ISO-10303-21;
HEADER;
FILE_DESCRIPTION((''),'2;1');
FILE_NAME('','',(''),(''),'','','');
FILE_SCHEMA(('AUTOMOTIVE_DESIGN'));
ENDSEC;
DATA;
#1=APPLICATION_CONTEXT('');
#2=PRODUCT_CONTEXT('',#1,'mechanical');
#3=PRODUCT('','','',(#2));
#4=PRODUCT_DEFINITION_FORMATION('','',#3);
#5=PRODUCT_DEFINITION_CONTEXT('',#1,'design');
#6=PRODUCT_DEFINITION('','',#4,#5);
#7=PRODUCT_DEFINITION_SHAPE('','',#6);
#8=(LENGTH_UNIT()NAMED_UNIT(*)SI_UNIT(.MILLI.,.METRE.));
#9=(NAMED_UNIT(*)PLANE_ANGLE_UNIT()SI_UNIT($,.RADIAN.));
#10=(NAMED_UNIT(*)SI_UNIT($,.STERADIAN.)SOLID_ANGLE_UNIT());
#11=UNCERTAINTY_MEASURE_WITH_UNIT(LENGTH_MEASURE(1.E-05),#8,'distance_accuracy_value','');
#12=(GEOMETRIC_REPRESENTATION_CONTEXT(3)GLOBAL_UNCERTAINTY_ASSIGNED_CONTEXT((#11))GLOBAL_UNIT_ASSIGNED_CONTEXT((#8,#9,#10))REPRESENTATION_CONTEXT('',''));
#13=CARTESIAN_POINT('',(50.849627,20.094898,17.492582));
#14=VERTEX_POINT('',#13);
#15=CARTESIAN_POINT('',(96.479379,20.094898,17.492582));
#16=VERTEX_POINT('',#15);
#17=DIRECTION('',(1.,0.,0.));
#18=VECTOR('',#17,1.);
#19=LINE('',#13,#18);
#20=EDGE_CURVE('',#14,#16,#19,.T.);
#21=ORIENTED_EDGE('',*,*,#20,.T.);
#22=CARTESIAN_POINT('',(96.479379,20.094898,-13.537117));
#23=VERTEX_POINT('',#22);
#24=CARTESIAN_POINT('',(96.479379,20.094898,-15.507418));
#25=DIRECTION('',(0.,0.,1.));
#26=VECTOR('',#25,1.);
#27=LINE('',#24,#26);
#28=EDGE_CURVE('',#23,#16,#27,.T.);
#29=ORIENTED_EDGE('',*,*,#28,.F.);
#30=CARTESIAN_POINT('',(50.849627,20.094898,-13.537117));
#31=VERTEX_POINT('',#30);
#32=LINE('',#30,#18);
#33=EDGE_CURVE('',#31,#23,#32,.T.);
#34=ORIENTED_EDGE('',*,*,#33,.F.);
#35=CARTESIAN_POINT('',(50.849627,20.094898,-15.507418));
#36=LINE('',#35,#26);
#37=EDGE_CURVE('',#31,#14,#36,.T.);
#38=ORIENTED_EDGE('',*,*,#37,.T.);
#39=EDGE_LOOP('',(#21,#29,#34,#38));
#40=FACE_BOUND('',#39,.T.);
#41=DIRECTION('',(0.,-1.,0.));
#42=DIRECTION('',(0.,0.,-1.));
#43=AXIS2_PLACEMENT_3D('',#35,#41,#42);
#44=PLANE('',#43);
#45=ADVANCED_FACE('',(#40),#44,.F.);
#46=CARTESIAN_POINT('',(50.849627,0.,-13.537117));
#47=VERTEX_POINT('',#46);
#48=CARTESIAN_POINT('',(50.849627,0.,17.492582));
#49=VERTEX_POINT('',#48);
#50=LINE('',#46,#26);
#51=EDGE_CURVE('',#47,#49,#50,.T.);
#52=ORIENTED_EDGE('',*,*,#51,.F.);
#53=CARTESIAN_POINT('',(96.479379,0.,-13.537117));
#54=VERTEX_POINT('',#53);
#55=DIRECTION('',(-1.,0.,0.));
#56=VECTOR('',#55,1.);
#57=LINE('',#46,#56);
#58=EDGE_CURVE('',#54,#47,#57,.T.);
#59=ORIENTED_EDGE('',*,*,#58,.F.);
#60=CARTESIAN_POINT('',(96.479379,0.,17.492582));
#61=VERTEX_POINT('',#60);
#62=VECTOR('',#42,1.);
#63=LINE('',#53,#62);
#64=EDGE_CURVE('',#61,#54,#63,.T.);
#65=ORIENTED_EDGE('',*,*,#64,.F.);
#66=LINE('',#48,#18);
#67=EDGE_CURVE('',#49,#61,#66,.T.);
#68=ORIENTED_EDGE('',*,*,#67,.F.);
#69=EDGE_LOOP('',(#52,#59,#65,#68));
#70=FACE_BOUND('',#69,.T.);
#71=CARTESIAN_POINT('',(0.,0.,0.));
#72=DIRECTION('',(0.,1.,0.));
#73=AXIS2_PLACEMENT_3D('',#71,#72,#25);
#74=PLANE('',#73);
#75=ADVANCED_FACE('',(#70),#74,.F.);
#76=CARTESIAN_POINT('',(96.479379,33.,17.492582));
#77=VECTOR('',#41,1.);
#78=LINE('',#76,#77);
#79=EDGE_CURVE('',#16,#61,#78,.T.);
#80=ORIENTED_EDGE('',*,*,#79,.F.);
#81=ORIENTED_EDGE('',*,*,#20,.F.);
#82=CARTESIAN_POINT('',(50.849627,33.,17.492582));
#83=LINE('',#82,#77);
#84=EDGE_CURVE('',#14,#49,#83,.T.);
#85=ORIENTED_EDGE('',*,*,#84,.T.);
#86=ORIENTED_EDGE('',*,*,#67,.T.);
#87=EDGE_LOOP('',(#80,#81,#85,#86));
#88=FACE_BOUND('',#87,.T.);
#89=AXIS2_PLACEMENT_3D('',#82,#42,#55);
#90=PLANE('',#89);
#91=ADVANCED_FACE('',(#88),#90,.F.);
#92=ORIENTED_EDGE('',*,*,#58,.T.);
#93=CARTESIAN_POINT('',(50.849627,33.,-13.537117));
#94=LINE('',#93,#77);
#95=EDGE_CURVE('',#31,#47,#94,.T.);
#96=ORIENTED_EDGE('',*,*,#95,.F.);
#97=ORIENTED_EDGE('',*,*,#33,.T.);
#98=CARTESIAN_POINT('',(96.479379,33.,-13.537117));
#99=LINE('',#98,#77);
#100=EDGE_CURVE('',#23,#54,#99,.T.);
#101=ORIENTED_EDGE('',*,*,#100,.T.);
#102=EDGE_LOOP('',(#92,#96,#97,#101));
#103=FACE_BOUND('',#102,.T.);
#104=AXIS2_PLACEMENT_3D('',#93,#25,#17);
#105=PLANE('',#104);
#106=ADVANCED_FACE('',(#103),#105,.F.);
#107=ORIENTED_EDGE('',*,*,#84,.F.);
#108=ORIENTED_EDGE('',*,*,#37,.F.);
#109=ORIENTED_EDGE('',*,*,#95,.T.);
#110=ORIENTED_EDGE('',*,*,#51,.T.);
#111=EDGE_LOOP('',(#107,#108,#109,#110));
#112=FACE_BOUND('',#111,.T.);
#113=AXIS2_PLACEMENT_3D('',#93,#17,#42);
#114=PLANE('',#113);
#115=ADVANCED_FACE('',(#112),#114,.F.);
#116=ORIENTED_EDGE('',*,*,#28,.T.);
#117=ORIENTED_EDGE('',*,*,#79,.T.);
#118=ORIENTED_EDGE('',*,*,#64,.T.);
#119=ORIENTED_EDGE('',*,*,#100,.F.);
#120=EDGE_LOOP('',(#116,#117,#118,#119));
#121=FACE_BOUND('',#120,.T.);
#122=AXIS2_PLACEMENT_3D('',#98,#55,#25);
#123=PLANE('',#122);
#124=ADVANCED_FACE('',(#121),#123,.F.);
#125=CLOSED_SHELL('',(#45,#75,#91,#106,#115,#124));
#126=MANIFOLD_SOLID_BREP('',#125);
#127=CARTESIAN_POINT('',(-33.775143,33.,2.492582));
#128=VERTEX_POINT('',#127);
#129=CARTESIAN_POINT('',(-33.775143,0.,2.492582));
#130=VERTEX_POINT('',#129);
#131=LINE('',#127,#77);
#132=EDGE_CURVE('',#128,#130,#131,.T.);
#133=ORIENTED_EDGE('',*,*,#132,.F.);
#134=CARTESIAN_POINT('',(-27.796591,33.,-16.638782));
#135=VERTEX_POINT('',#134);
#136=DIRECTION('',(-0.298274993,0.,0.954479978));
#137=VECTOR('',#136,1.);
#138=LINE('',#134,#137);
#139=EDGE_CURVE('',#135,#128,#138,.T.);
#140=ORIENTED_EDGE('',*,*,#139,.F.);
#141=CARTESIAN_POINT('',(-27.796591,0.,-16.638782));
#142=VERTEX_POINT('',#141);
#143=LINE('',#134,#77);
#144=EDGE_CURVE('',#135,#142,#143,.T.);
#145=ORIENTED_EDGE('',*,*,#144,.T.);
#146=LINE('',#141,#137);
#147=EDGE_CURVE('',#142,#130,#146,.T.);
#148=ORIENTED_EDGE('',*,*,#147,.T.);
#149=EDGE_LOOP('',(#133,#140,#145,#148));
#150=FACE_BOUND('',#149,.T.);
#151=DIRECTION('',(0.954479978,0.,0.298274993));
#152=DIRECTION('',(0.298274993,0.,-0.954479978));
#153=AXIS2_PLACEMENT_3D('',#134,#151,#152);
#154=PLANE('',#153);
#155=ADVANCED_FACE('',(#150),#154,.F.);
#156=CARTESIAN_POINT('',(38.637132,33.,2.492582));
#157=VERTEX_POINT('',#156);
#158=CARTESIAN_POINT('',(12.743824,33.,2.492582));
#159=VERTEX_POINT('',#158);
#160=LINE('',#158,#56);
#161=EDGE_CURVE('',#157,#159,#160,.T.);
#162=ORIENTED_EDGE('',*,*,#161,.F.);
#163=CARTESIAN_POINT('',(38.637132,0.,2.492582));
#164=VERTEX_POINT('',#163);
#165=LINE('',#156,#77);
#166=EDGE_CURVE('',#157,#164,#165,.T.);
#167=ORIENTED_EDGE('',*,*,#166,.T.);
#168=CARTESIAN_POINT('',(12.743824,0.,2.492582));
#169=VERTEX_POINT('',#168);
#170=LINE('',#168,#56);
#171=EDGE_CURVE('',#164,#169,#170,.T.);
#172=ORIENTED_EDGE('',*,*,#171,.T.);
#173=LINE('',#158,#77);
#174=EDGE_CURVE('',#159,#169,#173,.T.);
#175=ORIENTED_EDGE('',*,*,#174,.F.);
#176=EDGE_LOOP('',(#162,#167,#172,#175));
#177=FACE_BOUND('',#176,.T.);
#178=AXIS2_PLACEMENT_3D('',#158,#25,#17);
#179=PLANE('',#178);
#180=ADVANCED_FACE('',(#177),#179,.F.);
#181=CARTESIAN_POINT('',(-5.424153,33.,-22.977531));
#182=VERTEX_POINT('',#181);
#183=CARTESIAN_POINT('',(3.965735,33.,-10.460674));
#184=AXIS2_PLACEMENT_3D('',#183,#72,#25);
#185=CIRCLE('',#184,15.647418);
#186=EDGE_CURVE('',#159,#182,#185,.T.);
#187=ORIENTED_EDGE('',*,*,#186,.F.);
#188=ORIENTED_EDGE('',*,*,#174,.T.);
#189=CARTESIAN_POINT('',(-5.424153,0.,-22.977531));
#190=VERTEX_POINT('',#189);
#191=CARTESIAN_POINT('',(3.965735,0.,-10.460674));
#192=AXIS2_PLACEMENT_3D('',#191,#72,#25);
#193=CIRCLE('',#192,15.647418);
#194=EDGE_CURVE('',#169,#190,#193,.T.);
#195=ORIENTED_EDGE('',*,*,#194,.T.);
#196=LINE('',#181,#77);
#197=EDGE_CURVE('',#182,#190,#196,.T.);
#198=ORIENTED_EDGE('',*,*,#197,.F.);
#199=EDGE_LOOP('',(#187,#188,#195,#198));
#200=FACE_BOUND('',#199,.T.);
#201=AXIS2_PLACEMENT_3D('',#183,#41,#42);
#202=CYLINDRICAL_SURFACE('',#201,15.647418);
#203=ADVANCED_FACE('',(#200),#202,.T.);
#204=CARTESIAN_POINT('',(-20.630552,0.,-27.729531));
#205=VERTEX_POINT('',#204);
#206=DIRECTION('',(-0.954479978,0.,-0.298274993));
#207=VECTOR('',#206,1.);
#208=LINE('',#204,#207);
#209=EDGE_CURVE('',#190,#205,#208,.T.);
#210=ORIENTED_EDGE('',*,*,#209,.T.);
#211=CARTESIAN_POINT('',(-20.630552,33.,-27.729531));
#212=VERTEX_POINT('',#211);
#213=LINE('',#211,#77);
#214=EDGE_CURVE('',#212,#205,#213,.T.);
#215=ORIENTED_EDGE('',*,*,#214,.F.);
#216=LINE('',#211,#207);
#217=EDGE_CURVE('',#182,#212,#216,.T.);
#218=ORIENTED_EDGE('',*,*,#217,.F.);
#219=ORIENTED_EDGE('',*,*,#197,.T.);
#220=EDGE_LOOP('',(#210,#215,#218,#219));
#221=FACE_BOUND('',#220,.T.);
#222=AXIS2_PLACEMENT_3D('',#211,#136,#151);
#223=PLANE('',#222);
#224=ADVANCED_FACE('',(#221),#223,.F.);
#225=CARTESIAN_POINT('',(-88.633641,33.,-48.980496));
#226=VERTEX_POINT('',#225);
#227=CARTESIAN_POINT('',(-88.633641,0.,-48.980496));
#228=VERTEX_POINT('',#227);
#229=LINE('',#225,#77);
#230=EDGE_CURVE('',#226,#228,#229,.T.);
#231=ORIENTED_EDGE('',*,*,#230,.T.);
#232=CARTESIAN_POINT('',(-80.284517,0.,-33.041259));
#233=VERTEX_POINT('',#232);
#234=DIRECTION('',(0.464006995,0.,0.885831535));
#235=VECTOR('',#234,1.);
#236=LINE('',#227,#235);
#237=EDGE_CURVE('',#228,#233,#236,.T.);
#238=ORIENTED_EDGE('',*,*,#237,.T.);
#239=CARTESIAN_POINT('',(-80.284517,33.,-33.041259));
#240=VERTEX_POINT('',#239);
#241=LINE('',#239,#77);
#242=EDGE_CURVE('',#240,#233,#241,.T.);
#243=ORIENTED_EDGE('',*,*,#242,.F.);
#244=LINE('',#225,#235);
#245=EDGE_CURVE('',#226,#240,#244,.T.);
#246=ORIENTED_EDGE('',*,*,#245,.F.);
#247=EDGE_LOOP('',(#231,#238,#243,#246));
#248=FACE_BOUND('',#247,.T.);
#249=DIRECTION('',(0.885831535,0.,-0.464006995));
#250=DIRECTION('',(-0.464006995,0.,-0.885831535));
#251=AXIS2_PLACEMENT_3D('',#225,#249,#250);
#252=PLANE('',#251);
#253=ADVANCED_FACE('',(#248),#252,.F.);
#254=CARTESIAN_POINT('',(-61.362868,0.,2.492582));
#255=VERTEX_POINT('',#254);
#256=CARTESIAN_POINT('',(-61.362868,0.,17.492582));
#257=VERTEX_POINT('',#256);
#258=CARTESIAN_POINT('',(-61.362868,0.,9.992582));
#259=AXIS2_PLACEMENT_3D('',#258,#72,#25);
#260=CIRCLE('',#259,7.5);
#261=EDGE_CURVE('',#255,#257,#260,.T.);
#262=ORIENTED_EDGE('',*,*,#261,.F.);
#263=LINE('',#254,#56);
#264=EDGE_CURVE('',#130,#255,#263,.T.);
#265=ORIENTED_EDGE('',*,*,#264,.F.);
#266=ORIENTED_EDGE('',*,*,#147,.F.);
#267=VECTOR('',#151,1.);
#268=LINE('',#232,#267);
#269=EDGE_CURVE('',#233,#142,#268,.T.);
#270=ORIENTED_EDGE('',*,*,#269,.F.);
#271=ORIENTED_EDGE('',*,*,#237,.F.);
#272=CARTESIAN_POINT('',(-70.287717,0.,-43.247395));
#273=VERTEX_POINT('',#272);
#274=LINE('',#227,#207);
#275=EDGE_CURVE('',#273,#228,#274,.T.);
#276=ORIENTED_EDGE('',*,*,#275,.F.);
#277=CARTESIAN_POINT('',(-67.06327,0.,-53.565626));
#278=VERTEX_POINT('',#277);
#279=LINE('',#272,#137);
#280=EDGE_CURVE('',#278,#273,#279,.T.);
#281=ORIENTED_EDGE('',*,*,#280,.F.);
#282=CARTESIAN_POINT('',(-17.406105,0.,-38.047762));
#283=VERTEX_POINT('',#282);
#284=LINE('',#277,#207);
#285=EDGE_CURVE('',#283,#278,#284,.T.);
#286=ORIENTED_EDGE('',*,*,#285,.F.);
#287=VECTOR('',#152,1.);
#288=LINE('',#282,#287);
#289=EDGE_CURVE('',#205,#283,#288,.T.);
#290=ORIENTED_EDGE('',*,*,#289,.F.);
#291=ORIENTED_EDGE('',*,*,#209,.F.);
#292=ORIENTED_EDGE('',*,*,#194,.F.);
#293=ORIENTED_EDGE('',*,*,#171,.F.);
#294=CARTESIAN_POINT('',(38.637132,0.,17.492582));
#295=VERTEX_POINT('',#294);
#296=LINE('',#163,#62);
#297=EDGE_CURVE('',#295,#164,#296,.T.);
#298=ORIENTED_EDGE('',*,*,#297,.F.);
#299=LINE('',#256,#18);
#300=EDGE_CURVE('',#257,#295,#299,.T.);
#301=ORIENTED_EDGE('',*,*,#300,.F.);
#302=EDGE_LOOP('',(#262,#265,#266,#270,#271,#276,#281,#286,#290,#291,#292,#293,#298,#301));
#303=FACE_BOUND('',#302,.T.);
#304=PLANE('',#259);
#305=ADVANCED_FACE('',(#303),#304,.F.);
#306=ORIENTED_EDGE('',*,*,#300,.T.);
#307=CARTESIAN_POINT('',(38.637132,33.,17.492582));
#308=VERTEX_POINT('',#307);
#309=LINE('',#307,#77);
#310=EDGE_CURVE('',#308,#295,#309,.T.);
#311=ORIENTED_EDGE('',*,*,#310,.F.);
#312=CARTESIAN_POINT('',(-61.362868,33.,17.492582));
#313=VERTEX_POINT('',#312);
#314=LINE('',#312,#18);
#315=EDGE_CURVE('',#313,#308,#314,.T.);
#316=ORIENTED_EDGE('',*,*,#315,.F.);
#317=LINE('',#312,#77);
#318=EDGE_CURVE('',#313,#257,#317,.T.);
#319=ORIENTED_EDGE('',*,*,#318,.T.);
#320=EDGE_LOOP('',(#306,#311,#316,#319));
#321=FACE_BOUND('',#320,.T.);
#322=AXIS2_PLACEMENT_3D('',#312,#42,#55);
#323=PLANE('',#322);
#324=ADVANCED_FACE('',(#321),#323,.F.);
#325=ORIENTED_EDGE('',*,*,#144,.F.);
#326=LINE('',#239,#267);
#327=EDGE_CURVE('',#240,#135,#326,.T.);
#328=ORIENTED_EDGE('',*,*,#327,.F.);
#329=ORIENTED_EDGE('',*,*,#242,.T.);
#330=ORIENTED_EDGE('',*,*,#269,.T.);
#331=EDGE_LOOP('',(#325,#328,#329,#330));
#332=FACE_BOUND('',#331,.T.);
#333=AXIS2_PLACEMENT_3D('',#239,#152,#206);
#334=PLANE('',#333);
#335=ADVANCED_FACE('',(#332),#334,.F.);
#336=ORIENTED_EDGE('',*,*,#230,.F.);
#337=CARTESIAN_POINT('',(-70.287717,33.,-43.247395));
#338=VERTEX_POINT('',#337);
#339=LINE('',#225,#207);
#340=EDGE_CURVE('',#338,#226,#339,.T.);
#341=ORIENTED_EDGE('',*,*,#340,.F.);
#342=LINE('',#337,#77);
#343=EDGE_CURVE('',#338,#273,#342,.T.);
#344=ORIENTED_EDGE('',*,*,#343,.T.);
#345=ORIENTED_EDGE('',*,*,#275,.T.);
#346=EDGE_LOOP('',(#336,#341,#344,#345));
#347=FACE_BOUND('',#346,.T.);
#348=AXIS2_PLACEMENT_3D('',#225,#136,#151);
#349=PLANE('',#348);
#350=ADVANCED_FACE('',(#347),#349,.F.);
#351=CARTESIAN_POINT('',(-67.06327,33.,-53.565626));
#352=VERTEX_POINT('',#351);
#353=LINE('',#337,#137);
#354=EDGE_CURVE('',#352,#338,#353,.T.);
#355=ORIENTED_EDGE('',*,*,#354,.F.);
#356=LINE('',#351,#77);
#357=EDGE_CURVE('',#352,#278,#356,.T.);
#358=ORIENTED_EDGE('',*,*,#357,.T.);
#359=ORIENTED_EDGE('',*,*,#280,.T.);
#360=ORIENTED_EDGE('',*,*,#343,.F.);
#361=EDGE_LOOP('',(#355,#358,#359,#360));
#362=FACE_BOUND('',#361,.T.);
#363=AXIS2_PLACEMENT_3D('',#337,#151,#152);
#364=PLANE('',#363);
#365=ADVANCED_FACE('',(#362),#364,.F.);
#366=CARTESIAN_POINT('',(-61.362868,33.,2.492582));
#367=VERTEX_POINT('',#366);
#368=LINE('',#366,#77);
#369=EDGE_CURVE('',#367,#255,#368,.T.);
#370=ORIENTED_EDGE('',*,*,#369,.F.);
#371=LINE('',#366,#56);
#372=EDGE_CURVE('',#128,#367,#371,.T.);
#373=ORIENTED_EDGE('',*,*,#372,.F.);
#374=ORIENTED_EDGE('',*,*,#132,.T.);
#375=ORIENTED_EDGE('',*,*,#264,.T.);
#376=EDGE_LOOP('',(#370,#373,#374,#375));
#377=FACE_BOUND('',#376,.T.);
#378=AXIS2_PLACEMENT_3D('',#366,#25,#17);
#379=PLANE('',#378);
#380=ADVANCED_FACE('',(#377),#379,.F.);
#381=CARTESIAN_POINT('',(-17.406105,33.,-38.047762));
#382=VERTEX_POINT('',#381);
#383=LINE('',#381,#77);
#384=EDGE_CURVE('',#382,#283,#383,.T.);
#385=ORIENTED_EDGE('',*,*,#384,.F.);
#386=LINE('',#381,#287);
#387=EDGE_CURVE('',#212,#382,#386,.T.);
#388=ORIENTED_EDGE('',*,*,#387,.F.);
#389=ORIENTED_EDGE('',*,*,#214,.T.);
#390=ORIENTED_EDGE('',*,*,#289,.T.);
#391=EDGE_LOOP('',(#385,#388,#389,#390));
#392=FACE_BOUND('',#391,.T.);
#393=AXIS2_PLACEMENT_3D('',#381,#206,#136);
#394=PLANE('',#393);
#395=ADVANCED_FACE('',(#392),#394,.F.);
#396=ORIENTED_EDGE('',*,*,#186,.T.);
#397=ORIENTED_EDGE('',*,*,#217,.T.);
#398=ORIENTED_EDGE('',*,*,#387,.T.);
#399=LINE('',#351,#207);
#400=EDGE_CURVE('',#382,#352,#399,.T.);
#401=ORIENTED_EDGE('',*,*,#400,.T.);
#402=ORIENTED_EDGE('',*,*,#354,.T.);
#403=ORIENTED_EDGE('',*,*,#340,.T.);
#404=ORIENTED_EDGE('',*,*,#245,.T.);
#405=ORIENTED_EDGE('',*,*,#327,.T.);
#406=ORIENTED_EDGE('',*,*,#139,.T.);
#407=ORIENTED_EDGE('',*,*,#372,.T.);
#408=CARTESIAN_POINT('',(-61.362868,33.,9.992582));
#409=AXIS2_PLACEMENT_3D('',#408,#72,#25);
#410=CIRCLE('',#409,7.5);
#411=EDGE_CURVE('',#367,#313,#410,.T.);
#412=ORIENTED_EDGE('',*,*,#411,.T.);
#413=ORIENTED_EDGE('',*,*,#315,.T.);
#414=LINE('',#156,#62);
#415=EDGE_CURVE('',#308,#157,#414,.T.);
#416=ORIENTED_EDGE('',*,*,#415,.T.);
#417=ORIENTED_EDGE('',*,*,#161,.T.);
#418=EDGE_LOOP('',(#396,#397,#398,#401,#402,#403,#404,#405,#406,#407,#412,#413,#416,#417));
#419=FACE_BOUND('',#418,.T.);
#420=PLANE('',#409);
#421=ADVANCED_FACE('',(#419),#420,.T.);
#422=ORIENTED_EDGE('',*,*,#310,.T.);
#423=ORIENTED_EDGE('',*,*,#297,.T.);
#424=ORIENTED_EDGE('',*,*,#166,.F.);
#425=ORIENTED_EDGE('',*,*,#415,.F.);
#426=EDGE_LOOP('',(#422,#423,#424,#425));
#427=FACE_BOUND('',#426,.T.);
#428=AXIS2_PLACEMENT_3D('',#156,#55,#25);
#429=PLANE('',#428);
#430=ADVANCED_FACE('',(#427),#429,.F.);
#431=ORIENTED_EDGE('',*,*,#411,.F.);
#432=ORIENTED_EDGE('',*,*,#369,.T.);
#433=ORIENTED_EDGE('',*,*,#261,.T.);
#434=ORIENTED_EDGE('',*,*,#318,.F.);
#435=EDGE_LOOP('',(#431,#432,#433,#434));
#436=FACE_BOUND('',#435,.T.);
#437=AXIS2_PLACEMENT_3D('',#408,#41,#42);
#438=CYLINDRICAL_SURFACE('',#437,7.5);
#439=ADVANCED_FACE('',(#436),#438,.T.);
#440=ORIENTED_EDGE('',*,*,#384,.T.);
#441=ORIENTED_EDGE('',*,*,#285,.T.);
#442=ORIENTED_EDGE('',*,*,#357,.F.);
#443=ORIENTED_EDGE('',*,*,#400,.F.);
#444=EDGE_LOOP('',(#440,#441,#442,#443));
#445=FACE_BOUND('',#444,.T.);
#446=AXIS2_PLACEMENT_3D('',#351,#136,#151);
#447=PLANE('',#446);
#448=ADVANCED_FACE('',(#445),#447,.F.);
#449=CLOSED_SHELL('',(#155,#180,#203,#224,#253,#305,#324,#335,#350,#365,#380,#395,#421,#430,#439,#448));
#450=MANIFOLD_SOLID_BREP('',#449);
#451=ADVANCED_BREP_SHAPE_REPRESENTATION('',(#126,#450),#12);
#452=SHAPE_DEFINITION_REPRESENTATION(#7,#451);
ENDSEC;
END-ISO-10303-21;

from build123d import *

# Parameters (mm, degrees)
EXTRUDE_1_DEPTH     = 33
SKETCH_1_W          = 45.629751387
SKETCH_1_H          = 31.029699077
EXTRUDE_1_2_DEPTH   = 33
SKETCH_4_W          = 45.629751387
SKETCH_4_H          = 12.90510153
CUT_EXTRUDE_1_DEPTH = 33


with BuildPart() as part:
    # 草图1 → 凸台-拉伸1 (new body)
    with BuildSketch(Plane(origin=(0, 0, 0), x_dir=(1, 0, 0), z_dir=(0, 1, 0))):
        with BuildLine():
            Line((-88.633640643, 48.980495872), (-80.284516642, 33.041259142))
            Line((-80.284516642, 33.041259142), (-27.796591183, 16.638782436))
            Line((-27.796591183, 16.638782436), (-33.775142622, -2.492582169))
            Line((-33.775142622, -2.492582169), (-61.362867608, -2.492582169))
            ThreePointArc((-61.362867608, -2.492582169), (-68.862867608, -9.992582169), (-61.362867608, -17.492582169))
            Line((-61.362867608, -17.492582169), (38.637132392, -17.492582169))
            Line((38.637132392, -17.492582169), (38.637132392, -2.492582169))
            Line((38.637132392, -2.492582169), (12.743824311, -2.492582169))
            ThreePointArc((12.743824311, -2.492582169), (16.704464531, 19.547282527), (-5.424152751, 22.977530906))
            Line((-5.424152751, 22.977530906), (-20.630552368, 27.729530786))
            Line((-20.630552368, 27.729530786), (-17.406105012, 38.047762325))
            Line((-17.406105012, 38.047762325), (-67.063269568, 53.565626248))
            Line((-67.063269568, 53.565626248), (-70.287716924, 43.24739471))
            Line((-70.287716924, 43.24739471), (-88.633640643, 48.980495872))
        make_face()
    extrude(amount=EXTRUDE_1_DEPTH)


with BuildPart() as body_2:
    # 草图1 → Extrude 1 2 (new body)
    with BuildSketch(Plane(origin=(0, 0, 0), x_dir=(1, 0, 0), z_dir=(0, 1, 0))):
        with Locations((73.664502877, -1.977732631)):
            Rectangle(SKETCH_1_W, SKETCH_1_H)
    extrude(amount=EXTRUDE_1_2_DEPTH)

    # 草图4 → 切除-拉伸1 (cut)
    with BuildSketch(Plane.XY.offset(17.492582169)):
        with Locations((73.664502877, 26.547449235)):
            Rectangle(SKETCH_4_W, SKETCH_4_H)
    extrude(amount=-CUT_EXTRUDE_1_DEPTH, mode=Mode.SUBTRACT)


solid = Compound([part.part, body_2.part])
